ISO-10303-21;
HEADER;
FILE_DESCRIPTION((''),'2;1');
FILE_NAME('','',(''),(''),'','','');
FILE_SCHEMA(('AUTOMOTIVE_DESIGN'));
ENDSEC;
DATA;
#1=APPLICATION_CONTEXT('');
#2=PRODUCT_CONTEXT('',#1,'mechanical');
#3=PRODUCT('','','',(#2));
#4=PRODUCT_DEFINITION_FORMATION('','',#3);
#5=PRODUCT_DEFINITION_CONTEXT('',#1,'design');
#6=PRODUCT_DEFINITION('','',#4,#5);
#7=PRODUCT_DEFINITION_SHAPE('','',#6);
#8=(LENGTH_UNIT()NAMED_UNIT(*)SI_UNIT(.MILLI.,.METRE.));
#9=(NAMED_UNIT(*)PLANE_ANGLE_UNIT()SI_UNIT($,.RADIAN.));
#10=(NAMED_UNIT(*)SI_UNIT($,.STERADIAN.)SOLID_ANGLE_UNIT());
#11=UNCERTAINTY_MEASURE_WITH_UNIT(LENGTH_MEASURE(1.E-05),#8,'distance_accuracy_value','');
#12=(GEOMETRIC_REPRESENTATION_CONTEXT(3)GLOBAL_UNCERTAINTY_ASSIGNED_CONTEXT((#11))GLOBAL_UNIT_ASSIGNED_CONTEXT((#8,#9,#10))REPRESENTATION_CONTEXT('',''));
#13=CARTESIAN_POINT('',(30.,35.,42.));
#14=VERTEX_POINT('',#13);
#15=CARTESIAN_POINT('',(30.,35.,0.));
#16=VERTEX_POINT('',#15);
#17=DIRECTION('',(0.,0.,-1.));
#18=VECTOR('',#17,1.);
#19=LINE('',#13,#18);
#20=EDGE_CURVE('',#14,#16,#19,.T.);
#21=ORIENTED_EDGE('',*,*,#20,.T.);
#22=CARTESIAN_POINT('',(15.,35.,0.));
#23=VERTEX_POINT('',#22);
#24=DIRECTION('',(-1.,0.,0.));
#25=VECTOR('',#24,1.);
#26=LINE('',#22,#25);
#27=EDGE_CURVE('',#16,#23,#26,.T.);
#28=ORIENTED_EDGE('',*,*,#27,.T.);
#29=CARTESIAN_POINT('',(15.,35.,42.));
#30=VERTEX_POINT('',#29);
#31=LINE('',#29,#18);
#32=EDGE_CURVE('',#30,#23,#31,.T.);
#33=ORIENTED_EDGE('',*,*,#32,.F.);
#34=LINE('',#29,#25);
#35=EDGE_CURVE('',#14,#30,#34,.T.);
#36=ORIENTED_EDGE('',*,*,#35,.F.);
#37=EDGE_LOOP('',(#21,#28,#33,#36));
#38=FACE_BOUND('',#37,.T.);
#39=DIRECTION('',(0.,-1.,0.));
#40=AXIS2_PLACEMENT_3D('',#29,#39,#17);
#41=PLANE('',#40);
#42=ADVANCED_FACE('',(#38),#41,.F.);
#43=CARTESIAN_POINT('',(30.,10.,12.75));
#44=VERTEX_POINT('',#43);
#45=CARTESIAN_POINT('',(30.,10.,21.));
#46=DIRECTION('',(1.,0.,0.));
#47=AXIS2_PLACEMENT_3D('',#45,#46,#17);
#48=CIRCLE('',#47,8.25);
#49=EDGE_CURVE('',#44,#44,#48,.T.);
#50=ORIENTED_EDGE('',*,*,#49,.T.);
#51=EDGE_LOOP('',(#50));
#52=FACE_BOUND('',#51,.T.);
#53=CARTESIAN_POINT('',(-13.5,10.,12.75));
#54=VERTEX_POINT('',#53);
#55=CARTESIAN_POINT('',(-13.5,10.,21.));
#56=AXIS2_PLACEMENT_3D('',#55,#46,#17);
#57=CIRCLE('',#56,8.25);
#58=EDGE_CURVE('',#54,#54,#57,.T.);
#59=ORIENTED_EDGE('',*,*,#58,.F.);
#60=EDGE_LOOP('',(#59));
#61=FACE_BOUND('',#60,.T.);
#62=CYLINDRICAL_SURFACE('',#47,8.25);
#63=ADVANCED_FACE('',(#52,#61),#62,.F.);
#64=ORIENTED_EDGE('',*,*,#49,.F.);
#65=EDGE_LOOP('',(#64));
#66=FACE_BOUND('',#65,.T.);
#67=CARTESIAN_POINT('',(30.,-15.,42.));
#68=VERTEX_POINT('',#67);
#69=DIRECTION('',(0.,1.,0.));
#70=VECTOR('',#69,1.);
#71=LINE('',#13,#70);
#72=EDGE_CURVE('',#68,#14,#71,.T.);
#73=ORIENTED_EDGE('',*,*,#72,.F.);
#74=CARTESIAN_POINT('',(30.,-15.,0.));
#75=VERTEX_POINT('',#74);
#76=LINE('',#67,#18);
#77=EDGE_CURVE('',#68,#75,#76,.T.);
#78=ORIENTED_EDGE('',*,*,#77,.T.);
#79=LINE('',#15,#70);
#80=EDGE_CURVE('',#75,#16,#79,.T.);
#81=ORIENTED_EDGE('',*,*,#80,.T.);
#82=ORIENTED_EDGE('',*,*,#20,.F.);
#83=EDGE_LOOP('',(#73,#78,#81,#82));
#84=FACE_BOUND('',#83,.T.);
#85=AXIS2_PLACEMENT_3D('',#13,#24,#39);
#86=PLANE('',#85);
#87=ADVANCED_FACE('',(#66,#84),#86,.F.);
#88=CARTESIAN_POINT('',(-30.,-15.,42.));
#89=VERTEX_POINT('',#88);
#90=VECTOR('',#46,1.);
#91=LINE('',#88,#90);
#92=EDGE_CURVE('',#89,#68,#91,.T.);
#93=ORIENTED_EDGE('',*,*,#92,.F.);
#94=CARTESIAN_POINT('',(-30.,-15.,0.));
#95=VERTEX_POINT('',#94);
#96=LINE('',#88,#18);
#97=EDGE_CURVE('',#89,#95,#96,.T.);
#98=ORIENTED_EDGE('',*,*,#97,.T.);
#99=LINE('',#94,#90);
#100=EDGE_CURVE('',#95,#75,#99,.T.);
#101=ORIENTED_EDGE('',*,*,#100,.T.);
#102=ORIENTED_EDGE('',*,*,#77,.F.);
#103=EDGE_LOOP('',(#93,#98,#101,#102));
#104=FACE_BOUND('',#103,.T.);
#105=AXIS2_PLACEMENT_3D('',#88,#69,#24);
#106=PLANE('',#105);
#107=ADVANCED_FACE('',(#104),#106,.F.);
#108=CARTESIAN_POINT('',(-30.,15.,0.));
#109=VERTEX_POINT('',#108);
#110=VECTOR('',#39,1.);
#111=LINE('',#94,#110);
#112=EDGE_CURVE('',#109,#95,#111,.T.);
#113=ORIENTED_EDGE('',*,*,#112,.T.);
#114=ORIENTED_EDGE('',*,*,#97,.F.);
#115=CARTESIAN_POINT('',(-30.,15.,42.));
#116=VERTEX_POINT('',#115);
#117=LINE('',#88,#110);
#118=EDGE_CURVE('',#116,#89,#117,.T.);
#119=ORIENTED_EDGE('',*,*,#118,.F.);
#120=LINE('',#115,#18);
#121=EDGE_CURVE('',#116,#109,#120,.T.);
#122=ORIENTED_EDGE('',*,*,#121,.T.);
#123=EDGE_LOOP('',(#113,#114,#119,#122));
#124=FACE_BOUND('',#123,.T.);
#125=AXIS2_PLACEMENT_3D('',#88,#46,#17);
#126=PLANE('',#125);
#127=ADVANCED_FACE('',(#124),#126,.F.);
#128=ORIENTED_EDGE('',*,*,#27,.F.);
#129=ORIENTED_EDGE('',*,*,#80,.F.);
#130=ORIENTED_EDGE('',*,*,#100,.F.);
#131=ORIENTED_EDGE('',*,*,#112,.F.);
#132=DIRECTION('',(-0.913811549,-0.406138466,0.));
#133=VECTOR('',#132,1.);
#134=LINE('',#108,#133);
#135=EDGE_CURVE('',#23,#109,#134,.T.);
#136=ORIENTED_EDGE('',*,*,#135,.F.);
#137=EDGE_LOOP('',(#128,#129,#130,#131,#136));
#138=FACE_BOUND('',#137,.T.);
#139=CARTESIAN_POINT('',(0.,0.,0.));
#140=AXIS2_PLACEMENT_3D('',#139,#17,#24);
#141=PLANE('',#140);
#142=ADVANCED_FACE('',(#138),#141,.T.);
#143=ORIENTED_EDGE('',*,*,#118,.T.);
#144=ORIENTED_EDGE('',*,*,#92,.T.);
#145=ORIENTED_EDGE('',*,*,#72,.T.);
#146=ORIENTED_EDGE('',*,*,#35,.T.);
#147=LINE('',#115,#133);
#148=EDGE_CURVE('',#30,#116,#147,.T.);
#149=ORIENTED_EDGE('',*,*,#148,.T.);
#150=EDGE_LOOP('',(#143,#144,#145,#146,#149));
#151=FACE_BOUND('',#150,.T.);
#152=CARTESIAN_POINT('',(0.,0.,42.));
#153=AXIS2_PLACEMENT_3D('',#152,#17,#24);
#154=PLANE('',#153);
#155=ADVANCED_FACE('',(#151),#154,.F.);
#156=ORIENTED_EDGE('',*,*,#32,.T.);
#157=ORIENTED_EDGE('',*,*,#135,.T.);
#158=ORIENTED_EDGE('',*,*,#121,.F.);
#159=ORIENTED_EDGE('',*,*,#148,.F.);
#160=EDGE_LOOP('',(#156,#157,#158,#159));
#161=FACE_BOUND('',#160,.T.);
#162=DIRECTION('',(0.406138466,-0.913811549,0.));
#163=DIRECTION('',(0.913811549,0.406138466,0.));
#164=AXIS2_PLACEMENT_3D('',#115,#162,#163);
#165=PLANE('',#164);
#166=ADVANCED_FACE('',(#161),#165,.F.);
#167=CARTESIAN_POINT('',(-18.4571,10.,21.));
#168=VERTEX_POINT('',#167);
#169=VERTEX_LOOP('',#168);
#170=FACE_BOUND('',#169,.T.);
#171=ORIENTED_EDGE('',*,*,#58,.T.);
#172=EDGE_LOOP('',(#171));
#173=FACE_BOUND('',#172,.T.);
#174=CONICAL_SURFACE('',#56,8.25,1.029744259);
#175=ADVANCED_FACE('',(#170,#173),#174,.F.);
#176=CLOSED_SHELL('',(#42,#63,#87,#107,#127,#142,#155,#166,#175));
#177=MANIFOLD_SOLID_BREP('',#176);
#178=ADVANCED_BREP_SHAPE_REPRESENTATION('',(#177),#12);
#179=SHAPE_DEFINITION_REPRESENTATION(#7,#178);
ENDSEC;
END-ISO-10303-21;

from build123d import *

# Parameters (mm, degrees)
BOSS_EXTRUDE1_DEPTH        = 42
M18X1_5_TAPPED_HOLE1_D     = 16.5
M18X1_5_TAPPED_HOLE1_DEPTH = 43.5
M18X1_5_TAPPED_HOLE1_TIP   = 4.957100107


with BuildPart() as part:
    # Sketch1 → Boss-Extrude1 (new body)
    with BuildSketch(Plane.XY):
        Polygon((-30, 15), (15, 35), (30, 35), (30, -15), (-30, -15), align=None)
    extrude(amount=BOSS_EXTRUDE1_DEPTH)

    # M18x1.5 Tapped Hole1
    with Locations(Plane(origin=(30, 10, 21), x_dir=(0, 1, 0), z_dir=(1, 0, 0))):
        with Locations((0, 0)):
            Hole(M18X1_5_TAPPED_HOLE1_D / 2, depth=M18X1_5_TAPPED_HOLE1_DEPTH)
            with Locations((0, 0, -(M18X1_5_TAPPED_HOLE1_DEPTH + M18X1_5_TAPPED_HOLE1_TIP / 2))):  # 118° drill point
                Cone(0, M18X1_5_TAPPED_HOLE1_D / 2, M18X1_5_TAPPED_HOLE1_TIP, mode=Mode.SUBTRACT)


solid = part.part
